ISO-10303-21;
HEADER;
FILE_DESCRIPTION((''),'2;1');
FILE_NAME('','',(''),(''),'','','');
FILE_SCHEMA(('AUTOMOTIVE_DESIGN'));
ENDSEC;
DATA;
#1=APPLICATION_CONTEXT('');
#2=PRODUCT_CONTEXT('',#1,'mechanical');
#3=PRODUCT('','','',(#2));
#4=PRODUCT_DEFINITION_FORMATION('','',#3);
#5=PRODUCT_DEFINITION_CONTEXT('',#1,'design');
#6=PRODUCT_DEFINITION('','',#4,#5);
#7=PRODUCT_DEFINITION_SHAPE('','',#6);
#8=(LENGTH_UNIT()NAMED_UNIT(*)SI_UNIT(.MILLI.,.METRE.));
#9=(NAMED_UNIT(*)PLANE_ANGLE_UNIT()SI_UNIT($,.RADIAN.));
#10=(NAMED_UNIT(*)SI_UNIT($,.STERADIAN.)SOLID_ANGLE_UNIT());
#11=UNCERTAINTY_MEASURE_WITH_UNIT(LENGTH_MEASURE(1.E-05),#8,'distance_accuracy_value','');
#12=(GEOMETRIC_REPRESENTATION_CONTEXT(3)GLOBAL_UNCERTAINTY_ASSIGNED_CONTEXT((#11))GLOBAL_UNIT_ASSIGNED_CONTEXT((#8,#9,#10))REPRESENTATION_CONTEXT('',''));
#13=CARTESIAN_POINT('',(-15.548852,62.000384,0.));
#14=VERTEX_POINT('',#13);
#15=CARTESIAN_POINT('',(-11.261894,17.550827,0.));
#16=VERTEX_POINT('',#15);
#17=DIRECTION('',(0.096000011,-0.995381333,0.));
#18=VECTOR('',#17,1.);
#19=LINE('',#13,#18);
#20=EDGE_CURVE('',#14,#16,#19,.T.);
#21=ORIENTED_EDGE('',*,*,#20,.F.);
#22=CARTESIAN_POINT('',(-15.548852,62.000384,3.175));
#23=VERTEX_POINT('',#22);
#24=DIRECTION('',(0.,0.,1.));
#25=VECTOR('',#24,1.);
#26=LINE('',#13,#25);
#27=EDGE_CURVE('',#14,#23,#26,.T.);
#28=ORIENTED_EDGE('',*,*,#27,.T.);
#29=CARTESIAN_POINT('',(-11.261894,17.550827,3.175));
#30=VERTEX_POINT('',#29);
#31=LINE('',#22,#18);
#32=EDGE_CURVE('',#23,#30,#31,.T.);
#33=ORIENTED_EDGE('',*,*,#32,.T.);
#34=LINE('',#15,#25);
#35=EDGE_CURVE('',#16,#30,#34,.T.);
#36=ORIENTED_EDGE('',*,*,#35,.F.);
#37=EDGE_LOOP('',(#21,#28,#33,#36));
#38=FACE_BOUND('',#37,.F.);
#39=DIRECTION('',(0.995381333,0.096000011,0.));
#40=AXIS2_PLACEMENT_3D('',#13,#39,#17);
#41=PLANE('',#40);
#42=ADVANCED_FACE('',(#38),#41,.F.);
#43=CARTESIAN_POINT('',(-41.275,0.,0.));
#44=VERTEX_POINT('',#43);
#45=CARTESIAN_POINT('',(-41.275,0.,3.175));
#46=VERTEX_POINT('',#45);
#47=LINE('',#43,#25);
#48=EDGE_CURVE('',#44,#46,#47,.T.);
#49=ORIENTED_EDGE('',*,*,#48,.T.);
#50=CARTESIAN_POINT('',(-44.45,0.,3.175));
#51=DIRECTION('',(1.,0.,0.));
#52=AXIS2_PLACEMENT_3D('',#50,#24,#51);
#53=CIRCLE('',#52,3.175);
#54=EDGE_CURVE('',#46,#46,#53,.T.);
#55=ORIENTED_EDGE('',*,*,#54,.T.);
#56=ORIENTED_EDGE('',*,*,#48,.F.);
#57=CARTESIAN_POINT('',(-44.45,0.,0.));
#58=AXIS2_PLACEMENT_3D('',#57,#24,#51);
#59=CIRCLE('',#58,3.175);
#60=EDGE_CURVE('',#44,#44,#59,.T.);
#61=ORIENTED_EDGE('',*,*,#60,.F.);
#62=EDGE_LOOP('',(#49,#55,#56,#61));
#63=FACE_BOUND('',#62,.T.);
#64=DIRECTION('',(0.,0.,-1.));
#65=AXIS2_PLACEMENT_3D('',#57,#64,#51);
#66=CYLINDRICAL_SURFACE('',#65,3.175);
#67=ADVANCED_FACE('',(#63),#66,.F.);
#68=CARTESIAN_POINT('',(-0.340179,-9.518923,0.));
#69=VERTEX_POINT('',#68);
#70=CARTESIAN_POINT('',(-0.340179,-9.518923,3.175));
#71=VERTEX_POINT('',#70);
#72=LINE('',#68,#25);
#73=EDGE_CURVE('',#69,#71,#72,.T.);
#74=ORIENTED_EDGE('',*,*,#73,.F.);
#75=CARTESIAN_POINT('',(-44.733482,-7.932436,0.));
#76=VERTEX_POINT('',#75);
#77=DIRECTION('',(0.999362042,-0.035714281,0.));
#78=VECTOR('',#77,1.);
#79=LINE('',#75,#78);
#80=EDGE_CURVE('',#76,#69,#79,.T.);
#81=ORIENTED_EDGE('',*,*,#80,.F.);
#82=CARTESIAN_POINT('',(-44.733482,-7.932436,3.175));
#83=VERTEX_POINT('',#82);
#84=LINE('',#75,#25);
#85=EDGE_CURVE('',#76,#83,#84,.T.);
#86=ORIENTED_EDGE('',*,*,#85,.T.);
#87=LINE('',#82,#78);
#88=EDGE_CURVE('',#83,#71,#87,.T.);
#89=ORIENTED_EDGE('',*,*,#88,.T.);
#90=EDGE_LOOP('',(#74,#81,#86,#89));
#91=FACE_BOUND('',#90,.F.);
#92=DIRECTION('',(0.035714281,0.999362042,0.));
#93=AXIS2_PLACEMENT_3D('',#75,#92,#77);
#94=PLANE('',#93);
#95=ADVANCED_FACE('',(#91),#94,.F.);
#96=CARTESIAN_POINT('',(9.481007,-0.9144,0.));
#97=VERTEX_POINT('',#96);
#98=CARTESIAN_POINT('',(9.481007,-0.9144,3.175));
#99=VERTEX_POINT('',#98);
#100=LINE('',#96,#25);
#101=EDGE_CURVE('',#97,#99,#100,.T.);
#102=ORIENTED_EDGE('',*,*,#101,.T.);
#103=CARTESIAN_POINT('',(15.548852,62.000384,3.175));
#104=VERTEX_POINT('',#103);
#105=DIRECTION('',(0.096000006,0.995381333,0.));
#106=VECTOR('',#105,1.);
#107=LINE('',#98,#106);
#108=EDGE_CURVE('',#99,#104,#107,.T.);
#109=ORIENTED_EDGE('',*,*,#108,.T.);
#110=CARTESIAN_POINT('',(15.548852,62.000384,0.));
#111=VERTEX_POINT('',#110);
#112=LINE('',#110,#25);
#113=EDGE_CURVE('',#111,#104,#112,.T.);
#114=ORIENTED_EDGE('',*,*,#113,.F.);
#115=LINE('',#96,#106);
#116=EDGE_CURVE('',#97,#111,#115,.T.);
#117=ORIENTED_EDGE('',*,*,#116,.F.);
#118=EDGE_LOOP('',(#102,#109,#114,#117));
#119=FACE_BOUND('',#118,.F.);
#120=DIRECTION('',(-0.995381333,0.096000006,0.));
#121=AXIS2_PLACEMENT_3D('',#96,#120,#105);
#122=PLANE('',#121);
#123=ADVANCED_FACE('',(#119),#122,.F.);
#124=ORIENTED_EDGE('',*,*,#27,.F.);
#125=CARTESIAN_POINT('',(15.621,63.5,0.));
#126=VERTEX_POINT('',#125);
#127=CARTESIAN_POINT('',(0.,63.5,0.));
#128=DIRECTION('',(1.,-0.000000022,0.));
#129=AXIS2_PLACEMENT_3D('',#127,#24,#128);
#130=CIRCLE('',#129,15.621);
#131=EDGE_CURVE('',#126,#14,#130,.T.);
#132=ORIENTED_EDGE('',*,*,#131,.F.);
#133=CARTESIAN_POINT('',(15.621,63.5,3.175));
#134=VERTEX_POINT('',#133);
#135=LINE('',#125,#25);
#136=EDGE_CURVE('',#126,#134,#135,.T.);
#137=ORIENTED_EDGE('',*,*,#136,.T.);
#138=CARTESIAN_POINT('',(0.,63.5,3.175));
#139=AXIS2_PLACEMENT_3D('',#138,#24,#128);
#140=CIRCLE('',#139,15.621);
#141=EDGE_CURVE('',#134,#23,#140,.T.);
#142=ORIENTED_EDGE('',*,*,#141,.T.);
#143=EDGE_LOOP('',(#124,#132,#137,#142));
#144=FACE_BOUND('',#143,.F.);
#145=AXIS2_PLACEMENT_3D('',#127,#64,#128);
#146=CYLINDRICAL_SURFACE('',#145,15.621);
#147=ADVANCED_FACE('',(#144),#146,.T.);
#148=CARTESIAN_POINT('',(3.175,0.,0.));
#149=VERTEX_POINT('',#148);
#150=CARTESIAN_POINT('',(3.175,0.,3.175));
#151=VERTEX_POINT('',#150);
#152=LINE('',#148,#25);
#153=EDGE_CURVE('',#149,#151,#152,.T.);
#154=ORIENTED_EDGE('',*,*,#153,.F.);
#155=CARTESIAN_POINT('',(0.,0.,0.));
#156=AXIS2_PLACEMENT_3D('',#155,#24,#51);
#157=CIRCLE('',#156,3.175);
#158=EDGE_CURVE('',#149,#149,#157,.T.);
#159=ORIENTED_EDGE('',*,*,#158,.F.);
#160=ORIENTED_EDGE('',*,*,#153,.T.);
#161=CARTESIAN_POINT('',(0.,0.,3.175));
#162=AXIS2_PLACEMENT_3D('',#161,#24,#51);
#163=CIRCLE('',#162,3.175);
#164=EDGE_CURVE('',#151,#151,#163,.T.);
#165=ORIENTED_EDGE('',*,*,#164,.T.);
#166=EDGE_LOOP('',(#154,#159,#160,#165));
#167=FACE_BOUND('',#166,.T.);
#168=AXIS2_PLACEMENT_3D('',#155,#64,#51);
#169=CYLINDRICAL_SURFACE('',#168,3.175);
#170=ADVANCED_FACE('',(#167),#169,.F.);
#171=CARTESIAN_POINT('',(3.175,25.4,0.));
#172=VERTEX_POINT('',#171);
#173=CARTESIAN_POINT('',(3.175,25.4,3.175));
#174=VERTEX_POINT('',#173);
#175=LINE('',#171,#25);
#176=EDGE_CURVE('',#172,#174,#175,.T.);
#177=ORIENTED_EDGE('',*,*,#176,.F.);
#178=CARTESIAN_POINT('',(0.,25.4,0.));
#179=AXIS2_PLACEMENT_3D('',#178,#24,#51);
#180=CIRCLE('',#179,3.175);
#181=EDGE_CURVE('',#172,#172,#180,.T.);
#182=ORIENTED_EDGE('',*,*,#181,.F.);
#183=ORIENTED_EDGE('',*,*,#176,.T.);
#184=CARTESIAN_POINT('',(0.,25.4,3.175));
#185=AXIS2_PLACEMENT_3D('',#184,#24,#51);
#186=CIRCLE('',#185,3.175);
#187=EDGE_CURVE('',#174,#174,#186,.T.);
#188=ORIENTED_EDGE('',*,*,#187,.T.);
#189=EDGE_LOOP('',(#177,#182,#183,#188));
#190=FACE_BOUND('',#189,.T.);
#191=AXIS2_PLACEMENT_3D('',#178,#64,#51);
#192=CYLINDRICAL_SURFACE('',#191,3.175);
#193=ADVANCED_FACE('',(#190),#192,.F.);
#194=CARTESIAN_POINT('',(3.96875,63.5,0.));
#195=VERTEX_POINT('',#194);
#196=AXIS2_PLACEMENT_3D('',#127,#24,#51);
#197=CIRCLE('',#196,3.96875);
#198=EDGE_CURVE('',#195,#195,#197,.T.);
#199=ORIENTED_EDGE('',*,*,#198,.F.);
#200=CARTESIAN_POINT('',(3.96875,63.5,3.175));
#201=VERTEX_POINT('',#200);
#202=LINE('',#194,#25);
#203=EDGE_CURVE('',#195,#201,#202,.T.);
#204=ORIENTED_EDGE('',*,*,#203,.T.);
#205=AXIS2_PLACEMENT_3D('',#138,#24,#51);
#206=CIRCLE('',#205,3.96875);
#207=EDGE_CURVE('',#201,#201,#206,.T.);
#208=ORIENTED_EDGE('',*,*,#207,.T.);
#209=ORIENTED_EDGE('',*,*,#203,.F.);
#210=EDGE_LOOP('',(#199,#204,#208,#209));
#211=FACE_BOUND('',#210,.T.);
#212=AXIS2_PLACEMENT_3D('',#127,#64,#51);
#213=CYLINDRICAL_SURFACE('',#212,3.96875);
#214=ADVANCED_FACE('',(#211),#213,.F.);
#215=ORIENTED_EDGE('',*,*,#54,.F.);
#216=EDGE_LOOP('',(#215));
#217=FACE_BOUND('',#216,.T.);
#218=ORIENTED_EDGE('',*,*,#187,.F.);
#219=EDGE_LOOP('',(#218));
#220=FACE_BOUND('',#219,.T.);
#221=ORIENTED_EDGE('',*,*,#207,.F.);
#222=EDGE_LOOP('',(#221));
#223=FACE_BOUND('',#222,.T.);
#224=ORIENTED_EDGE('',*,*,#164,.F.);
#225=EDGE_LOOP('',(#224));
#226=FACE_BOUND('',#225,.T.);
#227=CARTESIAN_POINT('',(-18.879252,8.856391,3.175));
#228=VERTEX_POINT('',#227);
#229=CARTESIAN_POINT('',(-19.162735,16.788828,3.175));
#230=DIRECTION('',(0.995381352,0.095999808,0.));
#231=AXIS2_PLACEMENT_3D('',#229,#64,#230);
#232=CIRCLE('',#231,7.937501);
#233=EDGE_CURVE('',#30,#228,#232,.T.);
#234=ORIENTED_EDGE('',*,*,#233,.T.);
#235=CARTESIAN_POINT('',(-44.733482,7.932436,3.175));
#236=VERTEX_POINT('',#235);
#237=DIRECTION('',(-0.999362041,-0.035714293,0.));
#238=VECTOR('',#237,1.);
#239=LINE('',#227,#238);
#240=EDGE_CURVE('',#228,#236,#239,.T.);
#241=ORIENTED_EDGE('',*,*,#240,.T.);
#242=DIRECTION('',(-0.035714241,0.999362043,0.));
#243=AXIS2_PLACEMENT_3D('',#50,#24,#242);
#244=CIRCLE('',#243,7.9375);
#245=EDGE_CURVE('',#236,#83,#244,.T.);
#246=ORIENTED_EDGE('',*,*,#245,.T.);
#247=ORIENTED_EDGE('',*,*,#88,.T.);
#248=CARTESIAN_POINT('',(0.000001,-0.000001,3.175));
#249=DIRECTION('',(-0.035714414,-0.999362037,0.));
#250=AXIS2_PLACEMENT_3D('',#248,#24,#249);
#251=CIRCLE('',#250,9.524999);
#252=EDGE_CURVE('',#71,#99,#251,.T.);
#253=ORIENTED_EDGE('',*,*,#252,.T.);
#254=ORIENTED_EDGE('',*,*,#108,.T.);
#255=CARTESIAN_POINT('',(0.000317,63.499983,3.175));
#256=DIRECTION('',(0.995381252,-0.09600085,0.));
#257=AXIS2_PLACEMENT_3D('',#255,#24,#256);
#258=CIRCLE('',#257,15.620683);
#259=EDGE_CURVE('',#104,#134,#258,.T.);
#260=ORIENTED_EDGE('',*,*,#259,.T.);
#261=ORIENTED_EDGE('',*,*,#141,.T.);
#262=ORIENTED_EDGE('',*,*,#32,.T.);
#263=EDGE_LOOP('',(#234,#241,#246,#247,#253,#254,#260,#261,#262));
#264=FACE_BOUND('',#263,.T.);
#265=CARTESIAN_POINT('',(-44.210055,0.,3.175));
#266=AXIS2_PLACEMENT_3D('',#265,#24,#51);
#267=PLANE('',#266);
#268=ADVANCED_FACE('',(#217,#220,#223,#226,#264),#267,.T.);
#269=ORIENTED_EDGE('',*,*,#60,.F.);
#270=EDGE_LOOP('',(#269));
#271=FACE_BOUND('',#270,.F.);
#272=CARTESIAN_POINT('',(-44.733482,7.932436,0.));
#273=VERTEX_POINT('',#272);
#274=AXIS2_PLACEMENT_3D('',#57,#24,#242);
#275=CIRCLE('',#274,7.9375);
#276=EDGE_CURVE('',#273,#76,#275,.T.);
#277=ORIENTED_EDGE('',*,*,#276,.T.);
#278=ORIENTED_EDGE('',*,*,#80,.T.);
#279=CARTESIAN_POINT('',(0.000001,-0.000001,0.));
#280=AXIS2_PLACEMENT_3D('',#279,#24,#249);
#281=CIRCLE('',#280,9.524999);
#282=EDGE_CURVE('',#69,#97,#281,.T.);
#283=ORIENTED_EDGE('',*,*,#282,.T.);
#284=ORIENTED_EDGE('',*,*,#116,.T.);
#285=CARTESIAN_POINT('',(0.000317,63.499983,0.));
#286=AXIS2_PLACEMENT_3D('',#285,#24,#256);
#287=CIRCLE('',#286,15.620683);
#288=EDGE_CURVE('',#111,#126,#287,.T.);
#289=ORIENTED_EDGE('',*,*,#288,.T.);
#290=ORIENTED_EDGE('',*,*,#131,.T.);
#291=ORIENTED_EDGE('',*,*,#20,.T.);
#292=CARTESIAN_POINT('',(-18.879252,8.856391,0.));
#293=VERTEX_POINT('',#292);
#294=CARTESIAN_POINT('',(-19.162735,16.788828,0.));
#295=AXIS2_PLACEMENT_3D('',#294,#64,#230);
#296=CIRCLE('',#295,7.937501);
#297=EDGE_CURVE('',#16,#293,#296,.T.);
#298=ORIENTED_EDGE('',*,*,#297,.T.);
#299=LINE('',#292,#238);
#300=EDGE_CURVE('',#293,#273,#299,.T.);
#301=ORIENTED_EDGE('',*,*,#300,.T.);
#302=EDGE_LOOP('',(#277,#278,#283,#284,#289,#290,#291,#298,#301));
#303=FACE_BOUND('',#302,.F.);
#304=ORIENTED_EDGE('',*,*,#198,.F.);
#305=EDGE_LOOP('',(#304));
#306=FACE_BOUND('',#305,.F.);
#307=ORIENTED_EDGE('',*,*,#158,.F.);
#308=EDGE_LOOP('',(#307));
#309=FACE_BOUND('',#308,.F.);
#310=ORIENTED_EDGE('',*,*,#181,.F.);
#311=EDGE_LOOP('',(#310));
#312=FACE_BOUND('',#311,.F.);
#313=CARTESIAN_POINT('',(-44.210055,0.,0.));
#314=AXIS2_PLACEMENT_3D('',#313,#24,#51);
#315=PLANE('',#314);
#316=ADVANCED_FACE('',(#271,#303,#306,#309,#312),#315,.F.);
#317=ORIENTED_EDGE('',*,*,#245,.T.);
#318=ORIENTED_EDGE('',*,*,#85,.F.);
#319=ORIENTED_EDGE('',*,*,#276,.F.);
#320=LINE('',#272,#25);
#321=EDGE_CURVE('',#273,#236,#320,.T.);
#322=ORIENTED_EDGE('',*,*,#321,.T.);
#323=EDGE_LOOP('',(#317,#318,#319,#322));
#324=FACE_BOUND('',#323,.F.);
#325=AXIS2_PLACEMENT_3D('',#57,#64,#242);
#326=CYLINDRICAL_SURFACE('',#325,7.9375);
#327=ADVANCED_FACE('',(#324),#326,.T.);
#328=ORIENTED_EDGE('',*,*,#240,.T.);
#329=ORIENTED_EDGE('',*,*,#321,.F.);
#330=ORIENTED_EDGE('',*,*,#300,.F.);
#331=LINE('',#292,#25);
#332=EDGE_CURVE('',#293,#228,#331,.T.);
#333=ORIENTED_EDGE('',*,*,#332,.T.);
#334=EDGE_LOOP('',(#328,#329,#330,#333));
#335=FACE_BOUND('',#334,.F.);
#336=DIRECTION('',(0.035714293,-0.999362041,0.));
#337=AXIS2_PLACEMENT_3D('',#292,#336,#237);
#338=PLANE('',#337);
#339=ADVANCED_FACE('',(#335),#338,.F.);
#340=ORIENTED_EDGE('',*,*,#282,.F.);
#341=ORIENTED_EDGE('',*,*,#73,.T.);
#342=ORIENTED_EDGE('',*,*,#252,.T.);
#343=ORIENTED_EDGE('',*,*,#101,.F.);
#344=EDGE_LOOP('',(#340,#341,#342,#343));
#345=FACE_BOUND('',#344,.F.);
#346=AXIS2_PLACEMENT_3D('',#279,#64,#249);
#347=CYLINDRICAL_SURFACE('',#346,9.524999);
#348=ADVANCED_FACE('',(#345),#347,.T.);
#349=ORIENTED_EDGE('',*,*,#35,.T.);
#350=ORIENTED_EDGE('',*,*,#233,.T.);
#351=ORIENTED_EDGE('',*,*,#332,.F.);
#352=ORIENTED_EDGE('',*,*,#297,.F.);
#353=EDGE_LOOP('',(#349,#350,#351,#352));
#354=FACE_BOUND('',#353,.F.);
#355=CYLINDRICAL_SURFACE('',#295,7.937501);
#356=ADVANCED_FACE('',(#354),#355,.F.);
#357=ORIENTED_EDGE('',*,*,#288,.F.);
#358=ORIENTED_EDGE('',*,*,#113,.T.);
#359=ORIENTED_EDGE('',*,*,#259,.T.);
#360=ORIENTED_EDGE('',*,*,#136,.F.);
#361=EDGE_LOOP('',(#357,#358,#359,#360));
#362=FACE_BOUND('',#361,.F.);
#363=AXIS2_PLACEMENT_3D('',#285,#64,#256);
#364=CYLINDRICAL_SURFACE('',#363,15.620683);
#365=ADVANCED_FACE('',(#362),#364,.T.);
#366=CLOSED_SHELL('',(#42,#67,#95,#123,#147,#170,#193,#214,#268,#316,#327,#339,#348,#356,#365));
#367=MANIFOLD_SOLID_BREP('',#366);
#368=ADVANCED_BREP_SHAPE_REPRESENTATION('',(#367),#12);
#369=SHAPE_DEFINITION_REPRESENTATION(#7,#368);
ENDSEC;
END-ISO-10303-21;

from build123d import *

# Parameters (mm, degrees)
F0_R     = 3.175
F0_R_2   = 3.96875
F1_DEPTH = 3.175


with BuildPart() as f1:
    # F0 (on Top) → F1 (new body)
    with BuildSketch(Plane.XY):
        with BuildLine():
            ThreePointArc((-44.733482, -7.932436), (-38.938477, -5.712007), (-36.5125, 0))
            ThreePointArc((-36.5125, 0), (-38.938477, 5.712007), (-44.733482, 7.932436))
            ThreePointArc((-44.733482, 7.932436), (-52.3875, 0), (-44.733482, -7.932436))
        make_face()
        with Locations((-44.45, 0)):
            Circle(F0_R, mode=Mode.SUBTRACT)
        with BuildLine():
            ThreePointArc((-44.733482, 7.932436), (-38.938477, 5.712007), (-36.5125, 0))
            ThreePointArc((-36.5125, 0), (-38.938477, -5.712007), (-44.733482, -7.932436))
            Line((-44.733482, -7.932436), (-0.340179, -9.518923))
            ThreePointArc((-0.340179, -9.518923), (-6.613827, 6.854408), (9.525, 0))
            ThreePointArc((9.525, 0), (9.513995, -0.457729), (9.481007, -0.9144))
            Line((9.481007, -0.9144), (15.548852, 62.000384))
            ThreePointArc((15.548852, 62.000384), (0, 47.879), (-15.548852, 62.000384))
            Line((-15.548852, 62.000384), (-11.261894, 17.550827))
            ThreePointArc((-11.261894, 17.550827), (-13.192467, 11.558166), (-18.879252, 8.856391))
            Line((-18.879252, 8.856391), (-44.733482, 7.932436))
        make_face()
        with Locations((0, 25.4)):
            Circle(F0_R, mode=Mode.SUBTRACT)
        with BuildLine():
            ThreePointArc((9.525, 0), (-6.613827, 6.854408), (-0.340179, -9.518923))
            ThreePointArc((-0.340179, -9.518923), (6.276794, -7.16432), (9.481007, -0.9144))
            ThreePointArc((9.481007, -0.9144), (9.513995, -0.457729), (9.525, 0))
        make_face()
        Circle(F0_R, mode=Mode.SUBTRACT)
        with BuildLine():
            ThreePointArc((15.621, 63.5), (-0.750675, 79.102953), (-15.548852, 62.000384))
            ThreePointArc((-15.548852, 62.000384), (0, 47.879), (15.548852, 62.000384))
            ThreePointArc((15.548852, 62.000384), (15.602953, 62.749325), (15.621, 63.5))
        make_face()
        with Locations((0, 63.5)):
            Circle(F0_R_2, mode=Mode.SUBTRACT)
    extrude(amount=F1_DEPTH)


solid = f1.part
